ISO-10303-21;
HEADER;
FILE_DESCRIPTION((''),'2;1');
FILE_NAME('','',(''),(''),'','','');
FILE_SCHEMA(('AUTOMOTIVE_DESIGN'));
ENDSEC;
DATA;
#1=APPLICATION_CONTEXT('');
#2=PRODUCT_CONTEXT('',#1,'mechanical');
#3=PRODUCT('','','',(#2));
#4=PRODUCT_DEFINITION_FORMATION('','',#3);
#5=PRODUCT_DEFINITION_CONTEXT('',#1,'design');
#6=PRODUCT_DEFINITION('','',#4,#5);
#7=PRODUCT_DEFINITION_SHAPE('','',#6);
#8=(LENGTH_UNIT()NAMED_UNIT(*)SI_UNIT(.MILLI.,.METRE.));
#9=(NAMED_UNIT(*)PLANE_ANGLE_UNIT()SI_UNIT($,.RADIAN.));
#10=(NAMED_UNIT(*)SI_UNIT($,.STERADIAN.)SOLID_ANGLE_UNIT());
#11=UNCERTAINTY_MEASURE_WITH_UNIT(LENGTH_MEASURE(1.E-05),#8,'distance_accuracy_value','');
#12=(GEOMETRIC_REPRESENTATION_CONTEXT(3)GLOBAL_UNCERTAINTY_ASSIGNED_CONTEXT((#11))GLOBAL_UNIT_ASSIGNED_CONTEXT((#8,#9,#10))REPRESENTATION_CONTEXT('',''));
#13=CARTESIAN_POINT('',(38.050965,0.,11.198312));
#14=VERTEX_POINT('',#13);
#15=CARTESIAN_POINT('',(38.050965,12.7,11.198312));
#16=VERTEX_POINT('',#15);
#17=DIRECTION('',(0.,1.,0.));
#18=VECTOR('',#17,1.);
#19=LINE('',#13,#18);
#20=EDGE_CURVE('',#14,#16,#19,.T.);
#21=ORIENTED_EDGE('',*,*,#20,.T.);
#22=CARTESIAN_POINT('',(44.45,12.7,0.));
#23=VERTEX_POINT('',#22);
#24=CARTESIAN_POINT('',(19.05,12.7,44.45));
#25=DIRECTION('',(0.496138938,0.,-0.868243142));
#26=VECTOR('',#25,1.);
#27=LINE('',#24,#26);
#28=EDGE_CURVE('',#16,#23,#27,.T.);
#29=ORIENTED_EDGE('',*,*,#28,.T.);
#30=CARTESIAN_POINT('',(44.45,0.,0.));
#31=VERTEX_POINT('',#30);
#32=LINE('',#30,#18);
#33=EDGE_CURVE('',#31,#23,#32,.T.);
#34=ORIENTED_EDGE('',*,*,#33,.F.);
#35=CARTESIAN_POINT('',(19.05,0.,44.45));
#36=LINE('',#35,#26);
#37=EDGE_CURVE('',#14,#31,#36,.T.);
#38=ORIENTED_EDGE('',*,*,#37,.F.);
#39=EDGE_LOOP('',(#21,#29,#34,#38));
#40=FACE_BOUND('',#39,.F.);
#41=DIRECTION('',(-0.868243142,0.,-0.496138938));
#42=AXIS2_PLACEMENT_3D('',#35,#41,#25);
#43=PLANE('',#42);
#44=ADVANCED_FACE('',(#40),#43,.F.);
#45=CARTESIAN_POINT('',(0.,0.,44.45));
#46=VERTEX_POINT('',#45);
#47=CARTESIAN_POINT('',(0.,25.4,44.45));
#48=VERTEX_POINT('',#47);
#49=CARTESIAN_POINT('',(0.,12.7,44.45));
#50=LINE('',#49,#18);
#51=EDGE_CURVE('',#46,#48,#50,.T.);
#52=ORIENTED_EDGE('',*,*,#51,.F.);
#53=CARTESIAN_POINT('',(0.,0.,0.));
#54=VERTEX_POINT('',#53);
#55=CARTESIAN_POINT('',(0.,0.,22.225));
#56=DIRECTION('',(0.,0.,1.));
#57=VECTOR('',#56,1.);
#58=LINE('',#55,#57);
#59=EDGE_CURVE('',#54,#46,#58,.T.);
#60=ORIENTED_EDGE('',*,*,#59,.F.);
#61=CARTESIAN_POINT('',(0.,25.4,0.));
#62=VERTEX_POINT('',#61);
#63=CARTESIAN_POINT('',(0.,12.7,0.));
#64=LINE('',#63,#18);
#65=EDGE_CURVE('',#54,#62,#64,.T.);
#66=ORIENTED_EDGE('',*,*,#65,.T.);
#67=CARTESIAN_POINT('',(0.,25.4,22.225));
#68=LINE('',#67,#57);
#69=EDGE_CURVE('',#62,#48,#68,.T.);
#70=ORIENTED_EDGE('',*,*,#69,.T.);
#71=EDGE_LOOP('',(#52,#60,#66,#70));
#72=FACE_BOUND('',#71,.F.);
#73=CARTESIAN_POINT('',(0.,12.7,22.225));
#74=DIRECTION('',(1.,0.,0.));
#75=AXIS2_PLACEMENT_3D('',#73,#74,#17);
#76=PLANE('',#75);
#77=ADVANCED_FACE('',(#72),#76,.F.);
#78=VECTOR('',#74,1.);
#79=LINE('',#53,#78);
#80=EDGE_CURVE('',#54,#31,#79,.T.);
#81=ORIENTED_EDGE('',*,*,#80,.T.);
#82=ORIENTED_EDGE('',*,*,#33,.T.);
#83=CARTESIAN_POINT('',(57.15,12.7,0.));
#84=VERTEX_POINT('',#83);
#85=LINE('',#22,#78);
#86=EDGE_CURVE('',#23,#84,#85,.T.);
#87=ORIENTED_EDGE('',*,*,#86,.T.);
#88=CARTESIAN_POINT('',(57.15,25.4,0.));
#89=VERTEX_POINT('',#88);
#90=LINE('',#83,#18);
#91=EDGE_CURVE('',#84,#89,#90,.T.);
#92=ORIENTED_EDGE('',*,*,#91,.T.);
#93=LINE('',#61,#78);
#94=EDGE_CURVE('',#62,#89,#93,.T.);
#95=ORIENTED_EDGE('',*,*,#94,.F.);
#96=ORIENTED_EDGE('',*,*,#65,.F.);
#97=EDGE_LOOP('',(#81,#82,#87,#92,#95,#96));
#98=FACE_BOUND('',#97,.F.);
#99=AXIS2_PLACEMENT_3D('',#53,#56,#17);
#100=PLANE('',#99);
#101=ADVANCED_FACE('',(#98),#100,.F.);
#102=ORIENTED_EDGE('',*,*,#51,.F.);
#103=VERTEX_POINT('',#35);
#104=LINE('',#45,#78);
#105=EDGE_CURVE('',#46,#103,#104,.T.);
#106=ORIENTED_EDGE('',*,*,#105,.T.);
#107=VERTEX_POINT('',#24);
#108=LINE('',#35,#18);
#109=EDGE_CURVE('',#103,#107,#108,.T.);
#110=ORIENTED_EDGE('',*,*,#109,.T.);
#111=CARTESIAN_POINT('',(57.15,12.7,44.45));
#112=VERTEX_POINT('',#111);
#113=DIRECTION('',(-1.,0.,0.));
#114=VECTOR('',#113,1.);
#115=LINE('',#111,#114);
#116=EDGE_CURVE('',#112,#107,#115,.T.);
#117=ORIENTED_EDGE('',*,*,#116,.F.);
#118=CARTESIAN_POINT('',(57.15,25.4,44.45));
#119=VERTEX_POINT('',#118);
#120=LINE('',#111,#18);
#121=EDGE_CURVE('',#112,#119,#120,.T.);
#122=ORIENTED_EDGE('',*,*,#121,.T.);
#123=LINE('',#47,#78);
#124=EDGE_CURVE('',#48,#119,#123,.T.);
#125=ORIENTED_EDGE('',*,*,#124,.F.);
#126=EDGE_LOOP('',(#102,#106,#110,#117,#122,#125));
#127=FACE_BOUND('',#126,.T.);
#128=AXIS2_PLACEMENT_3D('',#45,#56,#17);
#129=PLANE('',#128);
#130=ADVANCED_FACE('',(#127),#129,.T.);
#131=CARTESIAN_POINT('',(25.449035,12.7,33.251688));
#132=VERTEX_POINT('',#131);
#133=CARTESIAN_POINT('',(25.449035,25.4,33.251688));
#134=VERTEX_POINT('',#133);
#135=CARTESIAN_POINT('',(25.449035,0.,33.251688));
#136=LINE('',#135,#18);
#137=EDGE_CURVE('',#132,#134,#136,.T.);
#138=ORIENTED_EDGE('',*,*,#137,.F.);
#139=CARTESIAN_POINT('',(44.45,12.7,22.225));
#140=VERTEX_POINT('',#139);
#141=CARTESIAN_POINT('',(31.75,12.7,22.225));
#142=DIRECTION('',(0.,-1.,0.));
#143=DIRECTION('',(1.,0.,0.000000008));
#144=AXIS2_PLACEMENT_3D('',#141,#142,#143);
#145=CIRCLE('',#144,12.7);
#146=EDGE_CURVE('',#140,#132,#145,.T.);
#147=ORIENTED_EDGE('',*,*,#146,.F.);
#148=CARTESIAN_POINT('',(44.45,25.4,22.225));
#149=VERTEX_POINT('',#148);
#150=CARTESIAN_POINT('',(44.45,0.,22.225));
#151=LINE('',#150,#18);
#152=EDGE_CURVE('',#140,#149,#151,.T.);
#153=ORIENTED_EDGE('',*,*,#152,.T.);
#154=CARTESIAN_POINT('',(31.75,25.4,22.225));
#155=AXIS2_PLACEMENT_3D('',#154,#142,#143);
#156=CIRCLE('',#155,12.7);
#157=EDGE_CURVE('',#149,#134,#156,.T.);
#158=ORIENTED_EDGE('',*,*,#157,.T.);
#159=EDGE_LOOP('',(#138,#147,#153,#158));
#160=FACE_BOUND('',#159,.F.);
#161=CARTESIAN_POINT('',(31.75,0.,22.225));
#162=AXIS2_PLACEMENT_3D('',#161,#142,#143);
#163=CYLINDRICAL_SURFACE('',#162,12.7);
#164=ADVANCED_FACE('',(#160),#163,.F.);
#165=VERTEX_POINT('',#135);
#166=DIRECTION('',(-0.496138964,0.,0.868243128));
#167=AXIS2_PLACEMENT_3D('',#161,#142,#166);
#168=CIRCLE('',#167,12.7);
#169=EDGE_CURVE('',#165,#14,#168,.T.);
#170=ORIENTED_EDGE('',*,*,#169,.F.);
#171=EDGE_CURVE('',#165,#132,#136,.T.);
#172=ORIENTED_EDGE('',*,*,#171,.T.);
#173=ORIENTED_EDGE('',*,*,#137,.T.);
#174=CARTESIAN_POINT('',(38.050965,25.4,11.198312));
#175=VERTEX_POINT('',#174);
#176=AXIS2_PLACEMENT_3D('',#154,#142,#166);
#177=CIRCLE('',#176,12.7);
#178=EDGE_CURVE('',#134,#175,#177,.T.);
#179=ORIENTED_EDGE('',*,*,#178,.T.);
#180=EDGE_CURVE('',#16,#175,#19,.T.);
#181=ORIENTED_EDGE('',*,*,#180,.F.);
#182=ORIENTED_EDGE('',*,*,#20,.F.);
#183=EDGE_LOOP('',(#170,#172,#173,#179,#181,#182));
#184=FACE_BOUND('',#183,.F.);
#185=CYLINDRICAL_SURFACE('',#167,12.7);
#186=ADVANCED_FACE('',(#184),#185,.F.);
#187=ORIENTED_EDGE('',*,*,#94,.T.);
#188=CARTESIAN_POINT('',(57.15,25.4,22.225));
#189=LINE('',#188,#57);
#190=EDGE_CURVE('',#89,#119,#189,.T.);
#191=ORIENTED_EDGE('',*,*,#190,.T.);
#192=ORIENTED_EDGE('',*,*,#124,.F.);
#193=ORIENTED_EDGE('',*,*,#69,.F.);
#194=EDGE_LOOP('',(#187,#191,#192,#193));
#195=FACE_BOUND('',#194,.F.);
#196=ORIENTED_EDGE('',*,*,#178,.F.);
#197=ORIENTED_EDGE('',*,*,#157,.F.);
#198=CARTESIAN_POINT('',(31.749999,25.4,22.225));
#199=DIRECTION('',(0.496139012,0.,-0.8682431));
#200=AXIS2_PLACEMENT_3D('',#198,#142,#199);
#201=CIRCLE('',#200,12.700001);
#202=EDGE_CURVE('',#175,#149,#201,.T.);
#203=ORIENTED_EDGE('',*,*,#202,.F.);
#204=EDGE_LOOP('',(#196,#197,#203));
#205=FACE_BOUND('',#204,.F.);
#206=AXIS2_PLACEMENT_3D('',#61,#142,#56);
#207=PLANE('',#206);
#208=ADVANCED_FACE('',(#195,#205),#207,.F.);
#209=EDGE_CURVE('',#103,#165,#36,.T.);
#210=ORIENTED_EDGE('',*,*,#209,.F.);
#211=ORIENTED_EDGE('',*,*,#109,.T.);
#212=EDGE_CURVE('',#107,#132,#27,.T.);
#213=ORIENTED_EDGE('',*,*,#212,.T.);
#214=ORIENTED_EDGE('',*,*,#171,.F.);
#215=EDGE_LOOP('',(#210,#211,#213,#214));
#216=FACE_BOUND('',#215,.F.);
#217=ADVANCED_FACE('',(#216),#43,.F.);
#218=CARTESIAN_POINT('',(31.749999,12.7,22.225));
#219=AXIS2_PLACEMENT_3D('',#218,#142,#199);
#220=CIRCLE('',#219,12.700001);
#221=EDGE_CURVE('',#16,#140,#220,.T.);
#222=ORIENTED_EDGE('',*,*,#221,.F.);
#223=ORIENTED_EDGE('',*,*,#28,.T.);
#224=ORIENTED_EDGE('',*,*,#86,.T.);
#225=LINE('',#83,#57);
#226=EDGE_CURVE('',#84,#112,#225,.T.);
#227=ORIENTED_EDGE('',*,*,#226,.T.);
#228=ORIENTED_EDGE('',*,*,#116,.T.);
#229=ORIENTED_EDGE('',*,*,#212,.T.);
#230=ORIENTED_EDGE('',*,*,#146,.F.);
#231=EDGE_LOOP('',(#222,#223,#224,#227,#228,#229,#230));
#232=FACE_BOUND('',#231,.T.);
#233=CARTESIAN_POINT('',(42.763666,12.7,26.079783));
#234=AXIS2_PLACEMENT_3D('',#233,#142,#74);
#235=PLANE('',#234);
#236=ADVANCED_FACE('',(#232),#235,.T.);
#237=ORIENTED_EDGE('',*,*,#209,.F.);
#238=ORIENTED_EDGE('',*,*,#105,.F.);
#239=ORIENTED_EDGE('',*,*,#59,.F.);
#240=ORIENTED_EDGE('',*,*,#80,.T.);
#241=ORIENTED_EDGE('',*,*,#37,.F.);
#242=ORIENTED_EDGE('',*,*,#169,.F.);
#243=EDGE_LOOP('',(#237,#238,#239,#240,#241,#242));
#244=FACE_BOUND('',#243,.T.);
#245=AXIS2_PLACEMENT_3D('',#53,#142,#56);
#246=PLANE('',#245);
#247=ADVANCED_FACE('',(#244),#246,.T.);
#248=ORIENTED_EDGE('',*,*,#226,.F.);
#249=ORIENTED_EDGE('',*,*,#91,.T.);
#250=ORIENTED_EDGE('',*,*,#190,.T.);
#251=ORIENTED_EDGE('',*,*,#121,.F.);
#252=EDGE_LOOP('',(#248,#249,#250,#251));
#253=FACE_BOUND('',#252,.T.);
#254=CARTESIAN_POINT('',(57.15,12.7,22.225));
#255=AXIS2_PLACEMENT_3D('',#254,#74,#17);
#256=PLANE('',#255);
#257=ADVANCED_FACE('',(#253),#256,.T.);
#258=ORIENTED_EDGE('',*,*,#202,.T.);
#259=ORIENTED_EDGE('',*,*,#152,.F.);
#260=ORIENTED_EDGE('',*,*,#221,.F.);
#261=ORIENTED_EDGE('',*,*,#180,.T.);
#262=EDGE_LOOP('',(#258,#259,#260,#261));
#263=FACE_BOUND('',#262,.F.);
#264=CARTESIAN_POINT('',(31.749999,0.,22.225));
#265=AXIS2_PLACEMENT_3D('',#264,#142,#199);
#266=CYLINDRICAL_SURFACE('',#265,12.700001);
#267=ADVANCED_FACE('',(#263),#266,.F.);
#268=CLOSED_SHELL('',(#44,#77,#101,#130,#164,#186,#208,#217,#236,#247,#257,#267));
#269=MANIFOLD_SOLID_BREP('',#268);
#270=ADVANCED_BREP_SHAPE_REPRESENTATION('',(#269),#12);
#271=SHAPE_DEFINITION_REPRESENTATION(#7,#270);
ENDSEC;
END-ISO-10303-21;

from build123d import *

# Parameters (mm, degrees)
F0_W     = 25.4
F0_H     = 44.45
F1_DEPTH = 57.15
F3_DEPTH = 12.7
F5_DEPTH = 25.4


with BuildPart() as f1:
    # F0 (on Right) → F1 (new body)
    with BuildSketch(Plane.YZ):
        with Locations((12.7, 22.225)):
            Rectangle(F0_W, F0_H)
    extrude(amount=F1_DEPTH)

    # F2 (on face) → F3 (cut)
    with BuildSketch(Plane.XZ):
        Polygon((57.15, 44.45), (19.05, 44.45), (44.45, 0), (57.15, 0), align=None)
    extrude(amount=-F3_DEPTH, mode=Mode.SUBTRACT)

    # F4 (on face) → F5 (cut)
    with BuildSketch(Plane.XZ):
        with BuildLine():
            ThreePointArc((38.050965, 11.198312), (42.734358, 15.850529), (44.45, 22.225))
            ThreePointArc((44.45, 22.225), (38.124471, 33.209358), (25.449035, 33.251688))
            Line((25.449035, 33.251688), (38.050965, 11.198312))
        make_face()
        with BuildLine():
            Line((38.050965, 11.198312), (25.449035, 33.251688))
            ThreePointArc((25.449035, 33.251688), (20.723312, 15.924035), (38.050965, 11.198312))
        make_face()
    extrude(amount=-F5_DEPTH, mode=Mode.SUBTRACT)


solid = f1.part
